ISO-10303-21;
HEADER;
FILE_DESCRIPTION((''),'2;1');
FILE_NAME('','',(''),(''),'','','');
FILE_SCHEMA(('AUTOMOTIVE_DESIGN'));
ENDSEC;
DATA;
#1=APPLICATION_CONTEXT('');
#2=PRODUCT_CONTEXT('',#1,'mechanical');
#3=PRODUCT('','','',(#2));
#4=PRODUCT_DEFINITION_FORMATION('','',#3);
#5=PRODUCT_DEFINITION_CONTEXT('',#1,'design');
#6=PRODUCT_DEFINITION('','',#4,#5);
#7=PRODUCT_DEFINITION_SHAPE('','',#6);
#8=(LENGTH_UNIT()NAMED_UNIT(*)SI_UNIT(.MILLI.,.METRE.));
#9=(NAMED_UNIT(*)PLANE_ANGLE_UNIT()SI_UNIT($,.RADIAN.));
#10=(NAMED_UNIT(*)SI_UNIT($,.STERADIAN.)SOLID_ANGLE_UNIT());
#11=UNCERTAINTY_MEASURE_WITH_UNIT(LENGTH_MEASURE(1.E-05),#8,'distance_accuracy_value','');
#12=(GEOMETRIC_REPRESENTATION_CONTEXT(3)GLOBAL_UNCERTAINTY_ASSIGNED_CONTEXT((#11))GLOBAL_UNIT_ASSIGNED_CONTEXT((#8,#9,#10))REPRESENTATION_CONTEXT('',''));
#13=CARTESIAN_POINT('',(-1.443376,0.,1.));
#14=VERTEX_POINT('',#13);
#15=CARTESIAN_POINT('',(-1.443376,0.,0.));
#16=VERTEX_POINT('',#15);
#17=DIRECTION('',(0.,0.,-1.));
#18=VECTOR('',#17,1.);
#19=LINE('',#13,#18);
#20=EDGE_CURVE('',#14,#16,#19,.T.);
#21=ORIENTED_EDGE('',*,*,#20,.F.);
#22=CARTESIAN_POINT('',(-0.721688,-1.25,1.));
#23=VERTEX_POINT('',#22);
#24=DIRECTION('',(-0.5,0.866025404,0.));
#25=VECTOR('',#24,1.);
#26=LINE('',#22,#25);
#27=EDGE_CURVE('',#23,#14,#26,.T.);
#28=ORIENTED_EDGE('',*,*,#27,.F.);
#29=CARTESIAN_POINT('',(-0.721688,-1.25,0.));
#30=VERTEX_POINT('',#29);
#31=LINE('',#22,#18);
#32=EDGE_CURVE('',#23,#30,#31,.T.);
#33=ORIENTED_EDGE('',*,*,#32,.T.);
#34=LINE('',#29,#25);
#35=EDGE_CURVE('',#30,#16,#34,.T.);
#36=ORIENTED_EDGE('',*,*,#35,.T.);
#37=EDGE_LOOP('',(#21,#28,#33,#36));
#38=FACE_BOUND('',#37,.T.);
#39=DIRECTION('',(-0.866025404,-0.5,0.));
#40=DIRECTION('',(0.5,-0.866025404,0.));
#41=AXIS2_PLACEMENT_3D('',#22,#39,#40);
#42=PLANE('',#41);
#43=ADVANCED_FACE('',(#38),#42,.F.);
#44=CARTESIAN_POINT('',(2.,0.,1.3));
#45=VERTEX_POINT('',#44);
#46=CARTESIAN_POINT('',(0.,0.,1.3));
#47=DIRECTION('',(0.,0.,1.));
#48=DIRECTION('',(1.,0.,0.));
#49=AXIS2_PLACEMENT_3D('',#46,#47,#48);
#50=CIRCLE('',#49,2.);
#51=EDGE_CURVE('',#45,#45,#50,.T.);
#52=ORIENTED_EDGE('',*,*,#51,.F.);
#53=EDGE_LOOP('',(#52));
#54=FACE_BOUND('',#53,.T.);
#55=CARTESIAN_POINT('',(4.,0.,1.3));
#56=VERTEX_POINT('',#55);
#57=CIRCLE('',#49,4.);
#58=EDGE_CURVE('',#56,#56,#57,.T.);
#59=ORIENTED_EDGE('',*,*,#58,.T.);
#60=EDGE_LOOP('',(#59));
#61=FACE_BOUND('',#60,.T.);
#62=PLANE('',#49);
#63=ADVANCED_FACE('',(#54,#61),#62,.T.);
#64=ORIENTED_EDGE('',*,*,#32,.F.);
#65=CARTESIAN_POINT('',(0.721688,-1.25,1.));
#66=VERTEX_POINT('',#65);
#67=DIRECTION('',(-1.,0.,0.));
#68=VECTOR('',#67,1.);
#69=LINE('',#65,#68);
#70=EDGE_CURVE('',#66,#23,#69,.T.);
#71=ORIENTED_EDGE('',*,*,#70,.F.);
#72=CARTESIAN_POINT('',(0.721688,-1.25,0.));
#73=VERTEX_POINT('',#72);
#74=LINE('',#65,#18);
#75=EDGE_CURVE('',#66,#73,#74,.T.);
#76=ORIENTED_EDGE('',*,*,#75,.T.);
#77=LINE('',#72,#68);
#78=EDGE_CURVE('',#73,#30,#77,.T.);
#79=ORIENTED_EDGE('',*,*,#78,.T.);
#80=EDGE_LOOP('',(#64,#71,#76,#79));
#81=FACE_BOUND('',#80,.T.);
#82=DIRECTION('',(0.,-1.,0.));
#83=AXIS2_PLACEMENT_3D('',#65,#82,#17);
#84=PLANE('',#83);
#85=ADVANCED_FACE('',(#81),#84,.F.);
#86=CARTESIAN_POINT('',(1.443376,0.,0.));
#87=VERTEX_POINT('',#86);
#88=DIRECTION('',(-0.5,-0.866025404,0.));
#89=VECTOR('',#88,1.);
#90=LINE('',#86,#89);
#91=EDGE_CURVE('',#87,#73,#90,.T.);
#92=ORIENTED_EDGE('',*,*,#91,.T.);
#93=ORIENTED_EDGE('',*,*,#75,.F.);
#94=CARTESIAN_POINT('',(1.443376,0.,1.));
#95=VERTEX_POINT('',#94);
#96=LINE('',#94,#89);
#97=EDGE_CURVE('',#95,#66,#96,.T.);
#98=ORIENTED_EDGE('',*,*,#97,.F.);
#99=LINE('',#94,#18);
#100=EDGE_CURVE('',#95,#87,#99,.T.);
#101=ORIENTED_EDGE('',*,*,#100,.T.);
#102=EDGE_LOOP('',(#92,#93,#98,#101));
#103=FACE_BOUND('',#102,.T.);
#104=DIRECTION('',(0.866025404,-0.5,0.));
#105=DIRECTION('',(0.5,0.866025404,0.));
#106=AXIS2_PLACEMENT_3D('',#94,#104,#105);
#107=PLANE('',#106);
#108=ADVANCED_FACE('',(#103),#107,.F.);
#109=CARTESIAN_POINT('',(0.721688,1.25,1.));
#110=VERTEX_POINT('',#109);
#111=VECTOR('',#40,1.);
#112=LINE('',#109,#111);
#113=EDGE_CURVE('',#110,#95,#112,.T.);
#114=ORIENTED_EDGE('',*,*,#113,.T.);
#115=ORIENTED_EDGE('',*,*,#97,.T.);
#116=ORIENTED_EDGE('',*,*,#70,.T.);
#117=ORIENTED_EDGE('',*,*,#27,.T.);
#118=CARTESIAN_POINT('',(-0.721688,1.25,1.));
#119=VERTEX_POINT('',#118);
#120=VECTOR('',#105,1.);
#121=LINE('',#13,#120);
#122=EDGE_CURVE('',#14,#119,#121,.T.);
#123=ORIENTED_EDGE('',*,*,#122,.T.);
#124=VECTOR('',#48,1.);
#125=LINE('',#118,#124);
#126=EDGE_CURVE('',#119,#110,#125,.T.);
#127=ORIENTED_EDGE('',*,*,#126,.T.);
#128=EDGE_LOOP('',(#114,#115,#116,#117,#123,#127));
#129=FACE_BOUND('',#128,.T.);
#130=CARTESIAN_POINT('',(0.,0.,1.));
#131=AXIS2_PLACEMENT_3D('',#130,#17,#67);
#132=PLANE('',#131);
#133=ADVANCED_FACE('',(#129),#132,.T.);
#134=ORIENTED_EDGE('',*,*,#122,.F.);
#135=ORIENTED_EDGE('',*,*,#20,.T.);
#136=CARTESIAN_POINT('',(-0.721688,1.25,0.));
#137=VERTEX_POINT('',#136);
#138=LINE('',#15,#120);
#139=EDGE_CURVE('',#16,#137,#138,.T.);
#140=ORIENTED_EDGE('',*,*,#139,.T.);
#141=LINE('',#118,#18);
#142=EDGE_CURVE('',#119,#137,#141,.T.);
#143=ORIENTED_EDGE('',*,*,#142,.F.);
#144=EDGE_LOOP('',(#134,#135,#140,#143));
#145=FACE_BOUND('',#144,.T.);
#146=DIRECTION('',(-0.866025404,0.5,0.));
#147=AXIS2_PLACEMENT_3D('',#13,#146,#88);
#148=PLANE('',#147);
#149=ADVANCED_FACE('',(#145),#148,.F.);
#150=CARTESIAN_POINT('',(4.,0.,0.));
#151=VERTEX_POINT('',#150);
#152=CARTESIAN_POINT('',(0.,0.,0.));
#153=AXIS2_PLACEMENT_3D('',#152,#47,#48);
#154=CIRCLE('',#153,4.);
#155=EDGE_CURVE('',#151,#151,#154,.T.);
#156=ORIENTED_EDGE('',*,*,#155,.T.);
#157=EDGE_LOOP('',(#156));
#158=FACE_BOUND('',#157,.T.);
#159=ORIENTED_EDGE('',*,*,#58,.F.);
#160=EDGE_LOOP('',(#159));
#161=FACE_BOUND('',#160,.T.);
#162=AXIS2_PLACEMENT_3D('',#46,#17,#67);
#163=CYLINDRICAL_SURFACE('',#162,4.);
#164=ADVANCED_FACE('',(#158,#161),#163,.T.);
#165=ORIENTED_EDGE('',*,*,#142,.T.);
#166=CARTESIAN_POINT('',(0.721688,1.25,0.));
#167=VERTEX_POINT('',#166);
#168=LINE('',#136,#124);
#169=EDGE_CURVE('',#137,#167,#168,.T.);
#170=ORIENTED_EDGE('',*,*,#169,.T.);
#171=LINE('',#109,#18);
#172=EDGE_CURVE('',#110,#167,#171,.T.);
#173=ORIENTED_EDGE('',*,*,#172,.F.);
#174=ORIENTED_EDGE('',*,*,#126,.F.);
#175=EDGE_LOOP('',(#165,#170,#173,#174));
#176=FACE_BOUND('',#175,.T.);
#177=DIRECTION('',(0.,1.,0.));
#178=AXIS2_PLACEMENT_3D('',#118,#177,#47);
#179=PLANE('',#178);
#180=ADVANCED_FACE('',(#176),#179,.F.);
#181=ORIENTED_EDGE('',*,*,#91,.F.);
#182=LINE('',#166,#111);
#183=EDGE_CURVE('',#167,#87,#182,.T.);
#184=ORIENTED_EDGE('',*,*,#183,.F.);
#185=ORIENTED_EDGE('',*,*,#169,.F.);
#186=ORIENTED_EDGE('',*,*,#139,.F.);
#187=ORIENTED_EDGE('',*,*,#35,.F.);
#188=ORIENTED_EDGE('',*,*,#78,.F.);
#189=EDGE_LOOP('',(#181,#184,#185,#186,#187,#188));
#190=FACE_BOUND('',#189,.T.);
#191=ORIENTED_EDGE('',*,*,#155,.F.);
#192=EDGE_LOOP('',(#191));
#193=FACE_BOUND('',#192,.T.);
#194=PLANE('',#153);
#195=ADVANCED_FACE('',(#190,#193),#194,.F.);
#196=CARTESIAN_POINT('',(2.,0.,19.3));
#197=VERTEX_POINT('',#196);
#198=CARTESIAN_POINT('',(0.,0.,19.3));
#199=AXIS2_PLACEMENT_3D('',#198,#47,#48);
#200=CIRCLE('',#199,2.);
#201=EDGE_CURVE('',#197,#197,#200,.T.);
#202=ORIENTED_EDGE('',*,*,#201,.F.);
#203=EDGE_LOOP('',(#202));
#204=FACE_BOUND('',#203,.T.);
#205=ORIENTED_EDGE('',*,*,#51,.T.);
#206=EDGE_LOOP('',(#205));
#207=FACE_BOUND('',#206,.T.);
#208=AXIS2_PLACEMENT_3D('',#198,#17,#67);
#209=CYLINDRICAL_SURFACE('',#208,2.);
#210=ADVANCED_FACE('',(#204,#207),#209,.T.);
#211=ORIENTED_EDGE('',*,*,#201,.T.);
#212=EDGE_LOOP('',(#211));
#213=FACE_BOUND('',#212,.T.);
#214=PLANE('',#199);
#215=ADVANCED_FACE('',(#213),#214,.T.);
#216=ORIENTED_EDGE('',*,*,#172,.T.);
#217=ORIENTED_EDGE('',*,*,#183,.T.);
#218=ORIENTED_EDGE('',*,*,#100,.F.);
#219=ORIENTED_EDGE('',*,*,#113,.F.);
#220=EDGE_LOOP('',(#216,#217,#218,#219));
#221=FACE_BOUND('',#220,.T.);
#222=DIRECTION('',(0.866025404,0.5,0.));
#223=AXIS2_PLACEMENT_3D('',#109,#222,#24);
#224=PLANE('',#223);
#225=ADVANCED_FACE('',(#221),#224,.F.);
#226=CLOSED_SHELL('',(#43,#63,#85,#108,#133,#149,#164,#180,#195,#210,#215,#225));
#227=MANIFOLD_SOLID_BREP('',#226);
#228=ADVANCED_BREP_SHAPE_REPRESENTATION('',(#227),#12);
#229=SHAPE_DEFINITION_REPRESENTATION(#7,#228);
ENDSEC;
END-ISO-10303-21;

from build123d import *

# Parameters (mm, degrees)
SKETCH_1_R          = 4
EXTRUDE_1_DEPTH     = 1.3
SKETCH_2_R          = 2
EXTRUDE_2_DEPTH     = 18
CUT_EXTRUDE_1_DEPTH = 1


with BuildPart() as part:
    # 草图1 → 凸台-拉伸1 (new body)
    with BuildSketch(Plane.XY):
        Circle(SKETCH_1_R)
    extrude(amount=EXTRUDE_1_DEPTH)

    # 草图2 → 凸台-拉伸2 (add)
    with BuildSketch(Plane.XY.offset(1.3)):
        Circle(SKETCH_2_R)
    extrude(amount=EXTRUDE_2_DEPTH)

    # 草图3 → 切除-拉伸1 (cut)
    with BuildSketch(Plane(origin=(0, 0, 0), x_dir=(-1, 0, 0), z_dir=(0, 0, -1))):
        Polygon((1.443375673, 0), (0.721687836, 1.25), (-0.721687836, 1.25), (-1.443375673, 0), (-0.721687836, -1.25), (0.721687836, -1.25), align=None)
    extrude(amount=-CUT_EXTRUDE_1_DEPTH, mode=Mode.SUBTRACT)


solid = part.part
